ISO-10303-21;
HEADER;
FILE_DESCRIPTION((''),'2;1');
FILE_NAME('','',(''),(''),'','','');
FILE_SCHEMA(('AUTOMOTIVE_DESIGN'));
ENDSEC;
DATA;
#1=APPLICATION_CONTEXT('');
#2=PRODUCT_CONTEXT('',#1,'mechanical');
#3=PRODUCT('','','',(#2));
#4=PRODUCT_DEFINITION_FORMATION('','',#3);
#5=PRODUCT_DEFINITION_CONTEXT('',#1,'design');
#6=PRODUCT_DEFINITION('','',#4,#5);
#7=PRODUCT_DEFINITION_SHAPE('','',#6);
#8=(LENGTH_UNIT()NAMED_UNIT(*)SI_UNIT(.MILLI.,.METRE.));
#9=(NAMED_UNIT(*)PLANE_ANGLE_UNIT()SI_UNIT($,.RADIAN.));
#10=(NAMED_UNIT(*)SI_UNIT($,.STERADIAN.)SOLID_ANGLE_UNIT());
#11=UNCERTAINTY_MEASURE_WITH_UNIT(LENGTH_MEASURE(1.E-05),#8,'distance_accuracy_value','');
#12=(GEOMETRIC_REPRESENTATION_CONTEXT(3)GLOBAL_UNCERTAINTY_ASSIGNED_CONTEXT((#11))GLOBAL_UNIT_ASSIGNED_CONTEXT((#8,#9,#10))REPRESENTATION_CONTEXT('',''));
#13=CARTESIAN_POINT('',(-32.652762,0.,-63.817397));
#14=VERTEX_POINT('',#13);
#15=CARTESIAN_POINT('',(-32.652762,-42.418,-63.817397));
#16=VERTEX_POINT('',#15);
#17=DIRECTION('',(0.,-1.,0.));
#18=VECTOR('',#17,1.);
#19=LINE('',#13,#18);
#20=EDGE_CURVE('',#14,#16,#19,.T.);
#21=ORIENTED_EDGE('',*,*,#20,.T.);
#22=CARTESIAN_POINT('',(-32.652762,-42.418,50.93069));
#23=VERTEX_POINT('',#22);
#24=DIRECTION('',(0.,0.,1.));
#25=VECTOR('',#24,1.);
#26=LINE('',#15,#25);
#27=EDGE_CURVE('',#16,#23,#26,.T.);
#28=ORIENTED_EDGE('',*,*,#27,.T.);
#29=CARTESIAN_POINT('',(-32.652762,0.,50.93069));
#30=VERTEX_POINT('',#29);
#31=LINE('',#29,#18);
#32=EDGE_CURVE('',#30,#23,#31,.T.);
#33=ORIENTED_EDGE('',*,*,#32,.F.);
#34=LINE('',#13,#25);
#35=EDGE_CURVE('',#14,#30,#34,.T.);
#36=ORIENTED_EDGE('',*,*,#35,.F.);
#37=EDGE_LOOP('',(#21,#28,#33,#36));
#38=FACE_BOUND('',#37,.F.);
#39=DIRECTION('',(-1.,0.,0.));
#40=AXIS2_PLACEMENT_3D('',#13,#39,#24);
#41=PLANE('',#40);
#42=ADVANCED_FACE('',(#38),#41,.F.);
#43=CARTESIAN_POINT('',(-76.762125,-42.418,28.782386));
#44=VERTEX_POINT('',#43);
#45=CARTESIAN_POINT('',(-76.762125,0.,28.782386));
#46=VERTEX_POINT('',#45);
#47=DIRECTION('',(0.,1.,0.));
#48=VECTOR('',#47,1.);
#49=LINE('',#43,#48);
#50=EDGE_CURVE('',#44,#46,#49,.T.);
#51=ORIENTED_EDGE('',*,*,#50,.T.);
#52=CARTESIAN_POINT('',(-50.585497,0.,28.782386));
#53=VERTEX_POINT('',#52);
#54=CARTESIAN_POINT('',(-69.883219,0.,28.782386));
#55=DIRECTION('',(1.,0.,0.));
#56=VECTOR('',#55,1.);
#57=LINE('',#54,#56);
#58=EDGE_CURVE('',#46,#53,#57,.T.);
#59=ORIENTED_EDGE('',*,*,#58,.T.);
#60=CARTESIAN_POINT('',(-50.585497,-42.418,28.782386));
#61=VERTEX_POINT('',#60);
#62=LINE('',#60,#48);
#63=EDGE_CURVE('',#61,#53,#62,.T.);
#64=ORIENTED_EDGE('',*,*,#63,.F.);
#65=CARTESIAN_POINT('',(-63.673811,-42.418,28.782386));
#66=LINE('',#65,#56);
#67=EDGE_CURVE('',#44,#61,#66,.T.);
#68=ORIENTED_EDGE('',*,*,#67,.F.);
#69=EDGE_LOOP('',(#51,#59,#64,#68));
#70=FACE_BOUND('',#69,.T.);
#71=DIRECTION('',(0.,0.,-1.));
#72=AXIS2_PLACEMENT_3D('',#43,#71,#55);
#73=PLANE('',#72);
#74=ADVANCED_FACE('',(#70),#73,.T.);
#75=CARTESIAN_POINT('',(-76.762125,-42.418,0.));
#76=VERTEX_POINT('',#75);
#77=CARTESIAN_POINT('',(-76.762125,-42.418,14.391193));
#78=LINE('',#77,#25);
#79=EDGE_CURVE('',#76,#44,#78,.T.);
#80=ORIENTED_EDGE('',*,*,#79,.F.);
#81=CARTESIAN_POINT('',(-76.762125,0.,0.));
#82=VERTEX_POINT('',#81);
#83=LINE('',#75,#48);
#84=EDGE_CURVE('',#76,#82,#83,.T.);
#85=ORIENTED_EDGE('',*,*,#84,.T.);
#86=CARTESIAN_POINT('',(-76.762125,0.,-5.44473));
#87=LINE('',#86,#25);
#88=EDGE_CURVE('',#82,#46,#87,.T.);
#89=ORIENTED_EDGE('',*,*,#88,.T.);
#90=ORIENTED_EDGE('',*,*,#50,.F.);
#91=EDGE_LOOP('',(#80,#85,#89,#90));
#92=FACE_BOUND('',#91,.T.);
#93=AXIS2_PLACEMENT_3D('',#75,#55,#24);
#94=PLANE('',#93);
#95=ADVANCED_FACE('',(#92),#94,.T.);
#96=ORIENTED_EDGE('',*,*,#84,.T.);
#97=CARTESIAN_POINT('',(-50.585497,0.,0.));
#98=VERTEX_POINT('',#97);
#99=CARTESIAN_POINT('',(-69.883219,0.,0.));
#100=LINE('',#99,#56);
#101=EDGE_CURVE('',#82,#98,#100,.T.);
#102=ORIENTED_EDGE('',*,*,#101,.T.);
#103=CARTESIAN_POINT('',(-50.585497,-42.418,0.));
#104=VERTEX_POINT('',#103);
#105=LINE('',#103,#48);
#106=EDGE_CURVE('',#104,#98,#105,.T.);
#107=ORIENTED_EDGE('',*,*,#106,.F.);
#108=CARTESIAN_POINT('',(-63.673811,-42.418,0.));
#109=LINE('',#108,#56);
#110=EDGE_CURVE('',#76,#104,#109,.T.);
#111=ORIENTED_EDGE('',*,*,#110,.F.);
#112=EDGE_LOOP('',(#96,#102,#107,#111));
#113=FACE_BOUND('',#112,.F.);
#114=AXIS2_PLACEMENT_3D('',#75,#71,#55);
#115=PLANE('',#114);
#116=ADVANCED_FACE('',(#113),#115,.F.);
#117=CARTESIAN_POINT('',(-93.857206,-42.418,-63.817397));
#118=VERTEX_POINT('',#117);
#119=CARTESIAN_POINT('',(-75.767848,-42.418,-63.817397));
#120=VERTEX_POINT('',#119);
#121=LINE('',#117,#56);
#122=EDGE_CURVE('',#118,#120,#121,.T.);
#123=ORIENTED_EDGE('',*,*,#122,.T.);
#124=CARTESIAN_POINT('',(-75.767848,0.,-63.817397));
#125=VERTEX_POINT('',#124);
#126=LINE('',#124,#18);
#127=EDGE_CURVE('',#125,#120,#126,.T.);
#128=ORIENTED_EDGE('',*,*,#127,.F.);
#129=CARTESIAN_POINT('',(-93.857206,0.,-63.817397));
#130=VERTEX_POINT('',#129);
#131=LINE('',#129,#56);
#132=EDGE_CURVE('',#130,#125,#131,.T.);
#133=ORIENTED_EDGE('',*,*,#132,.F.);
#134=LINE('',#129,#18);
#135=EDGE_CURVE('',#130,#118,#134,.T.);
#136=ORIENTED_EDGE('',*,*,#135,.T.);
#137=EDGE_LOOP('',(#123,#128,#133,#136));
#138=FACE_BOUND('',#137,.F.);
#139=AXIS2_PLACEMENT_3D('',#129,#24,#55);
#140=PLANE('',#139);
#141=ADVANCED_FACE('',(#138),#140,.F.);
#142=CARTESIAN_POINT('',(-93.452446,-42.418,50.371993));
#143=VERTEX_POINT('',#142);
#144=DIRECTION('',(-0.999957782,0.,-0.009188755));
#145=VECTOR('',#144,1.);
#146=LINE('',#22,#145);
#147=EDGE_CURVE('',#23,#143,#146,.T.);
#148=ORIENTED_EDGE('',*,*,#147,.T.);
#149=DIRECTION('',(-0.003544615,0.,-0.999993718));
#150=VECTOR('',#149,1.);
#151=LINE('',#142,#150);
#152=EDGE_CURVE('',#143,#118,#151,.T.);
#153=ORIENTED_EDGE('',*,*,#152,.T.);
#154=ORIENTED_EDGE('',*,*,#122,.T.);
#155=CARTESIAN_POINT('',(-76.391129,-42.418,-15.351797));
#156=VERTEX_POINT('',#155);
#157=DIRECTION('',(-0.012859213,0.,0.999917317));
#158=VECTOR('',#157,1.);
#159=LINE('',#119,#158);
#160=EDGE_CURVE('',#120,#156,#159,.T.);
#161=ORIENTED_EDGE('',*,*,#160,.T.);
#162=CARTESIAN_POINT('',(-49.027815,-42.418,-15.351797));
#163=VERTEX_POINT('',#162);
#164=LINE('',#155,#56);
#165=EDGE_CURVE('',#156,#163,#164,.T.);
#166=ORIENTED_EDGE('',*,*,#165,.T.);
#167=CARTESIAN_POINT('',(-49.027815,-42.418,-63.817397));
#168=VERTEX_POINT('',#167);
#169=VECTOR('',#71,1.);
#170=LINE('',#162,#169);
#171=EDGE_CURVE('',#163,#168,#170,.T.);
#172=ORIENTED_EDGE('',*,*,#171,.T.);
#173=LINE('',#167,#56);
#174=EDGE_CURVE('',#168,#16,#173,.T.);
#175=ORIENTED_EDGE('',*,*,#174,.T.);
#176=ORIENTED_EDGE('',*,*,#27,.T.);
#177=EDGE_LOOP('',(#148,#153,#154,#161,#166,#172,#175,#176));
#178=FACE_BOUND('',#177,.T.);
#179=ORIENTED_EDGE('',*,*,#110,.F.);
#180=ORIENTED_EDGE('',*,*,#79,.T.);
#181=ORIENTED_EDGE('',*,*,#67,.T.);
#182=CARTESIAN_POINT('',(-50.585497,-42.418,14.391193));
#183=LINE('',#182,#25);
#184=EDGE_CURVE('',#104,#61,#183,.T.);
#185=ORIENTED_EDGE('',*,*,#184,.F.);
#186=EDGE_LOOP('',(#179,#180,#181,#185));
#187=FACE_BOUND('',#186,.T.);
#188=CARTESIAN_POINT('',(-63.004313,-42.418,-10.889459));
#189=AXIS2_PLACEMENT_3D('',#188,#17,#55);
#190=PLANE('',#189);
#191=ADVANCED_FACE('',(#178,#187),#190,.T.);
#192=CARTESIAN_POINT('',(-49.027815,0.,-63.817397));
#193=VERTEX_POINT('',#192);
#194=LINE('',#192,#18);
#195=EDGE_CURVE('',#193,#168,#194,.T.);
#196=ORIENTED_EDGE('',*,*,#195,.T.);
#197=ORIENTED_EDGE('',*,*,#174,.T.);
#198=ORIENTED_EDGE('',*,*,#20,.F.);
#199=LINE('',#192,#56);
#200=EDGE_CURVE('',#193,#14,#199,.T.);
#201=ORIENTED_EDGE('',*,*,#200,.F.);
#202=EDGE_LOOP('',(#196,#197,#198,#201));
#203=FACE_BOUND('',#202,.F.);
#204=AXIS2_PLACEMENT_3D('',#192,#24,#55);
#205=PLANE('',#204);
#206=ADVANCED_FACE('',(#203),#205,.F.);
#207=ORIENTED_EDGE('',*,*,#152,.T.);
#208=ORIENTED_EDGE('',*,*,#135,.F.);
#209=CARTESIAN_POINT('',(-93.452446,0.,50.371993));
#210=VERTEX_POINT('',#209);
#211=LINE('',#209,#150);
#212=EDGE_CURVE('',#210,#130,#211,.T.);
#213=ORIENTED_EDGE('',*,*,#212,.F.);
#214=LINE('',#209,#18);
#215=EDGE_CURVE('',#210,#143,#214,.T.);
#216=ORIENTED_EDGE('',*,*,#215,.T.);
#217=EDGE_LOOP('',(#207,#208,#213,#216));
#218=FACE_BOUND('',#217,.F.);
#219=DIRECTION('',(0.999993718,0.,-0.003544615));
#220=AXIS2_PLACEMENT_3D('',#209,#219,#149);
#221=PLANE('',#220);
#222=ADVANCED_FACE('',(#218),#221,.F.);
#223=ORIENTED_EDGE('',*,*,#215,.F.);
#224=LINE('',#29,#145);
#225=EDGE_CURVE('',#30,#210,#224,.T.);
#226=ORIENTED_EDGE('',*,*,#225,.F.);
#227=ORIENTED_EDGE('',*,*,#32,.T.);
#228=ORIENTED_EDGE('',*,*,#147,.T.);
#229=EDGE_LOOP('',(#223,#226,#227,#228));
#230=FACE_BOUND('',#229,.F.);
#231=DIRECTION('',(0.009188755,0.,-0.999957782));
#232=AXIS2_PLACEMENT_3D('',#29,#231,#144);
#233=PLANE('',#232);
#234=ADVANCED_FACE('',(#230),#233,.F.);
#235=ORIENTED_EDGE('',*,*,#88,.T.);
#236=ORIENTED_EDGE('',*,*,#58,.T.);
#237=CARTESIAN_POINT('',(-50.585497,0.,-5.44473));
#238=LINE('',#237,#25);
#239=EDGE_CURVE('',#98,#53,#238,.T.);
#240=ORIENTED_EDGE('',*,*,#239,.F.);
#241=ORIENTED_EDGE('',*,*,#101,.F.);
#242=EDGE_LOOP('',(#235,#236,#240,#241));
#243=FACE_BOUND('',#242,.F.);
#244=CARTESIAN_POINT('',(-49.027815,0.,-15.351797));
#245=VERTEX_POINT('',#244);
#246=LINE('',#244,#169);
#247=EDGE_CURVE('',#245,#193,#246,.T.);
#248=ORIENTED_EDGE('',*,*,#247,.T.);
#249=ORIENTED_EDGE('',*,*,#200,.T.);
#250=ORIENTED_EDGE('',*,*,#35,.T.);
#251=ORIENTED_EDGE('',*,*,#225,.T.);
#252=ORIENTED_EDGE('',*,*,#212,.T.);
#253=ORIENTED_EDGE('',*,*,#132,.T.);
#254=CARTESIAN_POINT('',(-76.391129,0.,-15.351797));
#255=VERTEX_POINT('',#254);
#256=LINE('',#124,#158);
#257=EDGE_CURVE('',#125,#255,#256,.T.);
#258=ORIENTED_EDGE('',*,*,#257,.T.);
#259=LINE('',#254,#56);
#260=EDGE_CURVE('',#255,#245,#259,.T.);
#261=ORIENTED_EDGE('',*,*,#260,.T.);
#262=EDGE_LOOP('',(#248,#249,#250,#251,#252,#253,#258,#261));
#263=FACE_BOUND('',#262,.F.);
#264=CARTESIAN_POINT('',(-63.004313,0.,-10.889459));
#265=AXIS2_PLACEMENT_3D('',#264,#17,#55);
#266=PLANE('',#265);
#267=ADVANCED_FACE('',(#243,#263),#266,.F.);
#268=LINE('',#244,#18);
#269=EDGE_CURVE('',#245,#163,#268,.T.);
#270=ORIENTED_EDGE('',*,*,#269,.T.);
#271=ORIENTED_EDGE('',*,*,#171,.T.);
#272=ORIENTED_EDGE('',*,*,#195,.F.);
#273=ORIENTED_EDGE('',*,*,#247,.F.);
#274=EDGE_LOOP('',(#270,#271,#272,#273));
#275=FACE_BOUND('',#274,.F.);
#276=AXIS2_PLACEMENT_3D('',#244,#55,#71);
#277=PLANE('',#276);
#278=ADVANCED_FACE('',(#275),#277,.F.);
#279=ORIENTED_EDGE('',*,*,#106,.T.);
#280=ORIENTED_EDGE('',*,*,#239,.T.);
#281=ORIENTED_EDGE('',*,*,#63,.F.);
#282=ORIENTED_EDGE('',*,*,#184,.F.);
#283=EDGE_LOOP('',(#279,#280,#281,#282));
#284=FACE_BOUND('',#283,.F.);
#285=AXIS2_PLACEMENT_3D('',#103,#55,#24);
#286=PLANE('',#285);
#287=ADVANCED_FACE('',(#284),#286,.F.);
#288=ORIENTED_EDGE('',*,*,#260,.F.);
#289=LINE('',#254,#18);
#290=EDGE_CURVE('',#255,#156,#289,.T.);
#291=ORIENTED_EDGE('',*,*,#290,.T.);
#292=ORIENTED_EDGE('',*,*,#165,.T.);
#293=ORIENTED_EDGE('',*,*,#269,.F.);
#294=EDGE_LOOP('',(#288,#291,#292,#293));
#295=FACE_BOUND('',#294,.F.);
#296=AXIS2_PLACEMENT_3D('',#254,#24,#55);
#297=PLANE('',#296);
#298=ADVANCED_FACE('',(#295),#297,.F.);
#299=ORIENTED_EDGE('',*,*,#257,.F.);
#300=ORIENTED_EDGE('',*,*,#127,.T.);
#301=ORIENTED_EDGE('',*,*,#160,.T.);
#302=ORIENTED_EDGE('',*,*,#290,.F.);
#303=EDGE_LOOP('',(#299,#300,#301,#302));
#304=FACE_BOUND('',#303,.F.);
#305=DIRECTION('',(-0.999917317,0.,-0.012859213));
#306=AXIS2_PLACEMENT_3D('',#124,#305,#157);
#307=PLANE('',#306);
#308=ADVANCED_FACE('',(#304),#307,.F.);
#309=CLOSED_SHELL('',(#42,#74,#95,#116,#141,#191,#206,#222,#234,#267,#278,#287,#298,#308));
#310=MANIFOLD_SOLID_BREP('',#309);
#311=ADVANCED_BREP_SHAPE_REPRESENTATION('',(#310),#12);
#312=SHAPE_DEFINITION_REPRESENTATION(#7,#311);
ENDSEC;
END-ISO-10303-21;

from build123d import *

# Parameters (mm, degrees)
F1_DEPTH = 42.418
F2_W     = 26.176628
F2_H     = 28.782386
F3_DEPTH = 108.966


with BuildPart() as f1:
    # F0 (on Front) → F1 (new body)
    with BuildSketch(Plane.XZ):
        Polygon((-32.652762, 50.93069), (-93.452446, 50.371993), (-93.857206, -63.817397), (-75.767848, -63.817397), (-76.391129, -15.351797), (-49.027815, -15.351797), (-49.027815, -63.817397), (-32.652762, -63.817397), align=None)
    extrude(amount=F1_DEPTH)

    # F2 (on face) → F3 (cut)
    with BuildSketch(Plane.XZ.offset(42.418)):
        with Locations((-63.673811, 14.391193)):
            Rectangle(F2_W, F2_H)
    extrude(amount=-F3_DEPTH, mode=Mode.SUBTRACT)


solid = f1.part
